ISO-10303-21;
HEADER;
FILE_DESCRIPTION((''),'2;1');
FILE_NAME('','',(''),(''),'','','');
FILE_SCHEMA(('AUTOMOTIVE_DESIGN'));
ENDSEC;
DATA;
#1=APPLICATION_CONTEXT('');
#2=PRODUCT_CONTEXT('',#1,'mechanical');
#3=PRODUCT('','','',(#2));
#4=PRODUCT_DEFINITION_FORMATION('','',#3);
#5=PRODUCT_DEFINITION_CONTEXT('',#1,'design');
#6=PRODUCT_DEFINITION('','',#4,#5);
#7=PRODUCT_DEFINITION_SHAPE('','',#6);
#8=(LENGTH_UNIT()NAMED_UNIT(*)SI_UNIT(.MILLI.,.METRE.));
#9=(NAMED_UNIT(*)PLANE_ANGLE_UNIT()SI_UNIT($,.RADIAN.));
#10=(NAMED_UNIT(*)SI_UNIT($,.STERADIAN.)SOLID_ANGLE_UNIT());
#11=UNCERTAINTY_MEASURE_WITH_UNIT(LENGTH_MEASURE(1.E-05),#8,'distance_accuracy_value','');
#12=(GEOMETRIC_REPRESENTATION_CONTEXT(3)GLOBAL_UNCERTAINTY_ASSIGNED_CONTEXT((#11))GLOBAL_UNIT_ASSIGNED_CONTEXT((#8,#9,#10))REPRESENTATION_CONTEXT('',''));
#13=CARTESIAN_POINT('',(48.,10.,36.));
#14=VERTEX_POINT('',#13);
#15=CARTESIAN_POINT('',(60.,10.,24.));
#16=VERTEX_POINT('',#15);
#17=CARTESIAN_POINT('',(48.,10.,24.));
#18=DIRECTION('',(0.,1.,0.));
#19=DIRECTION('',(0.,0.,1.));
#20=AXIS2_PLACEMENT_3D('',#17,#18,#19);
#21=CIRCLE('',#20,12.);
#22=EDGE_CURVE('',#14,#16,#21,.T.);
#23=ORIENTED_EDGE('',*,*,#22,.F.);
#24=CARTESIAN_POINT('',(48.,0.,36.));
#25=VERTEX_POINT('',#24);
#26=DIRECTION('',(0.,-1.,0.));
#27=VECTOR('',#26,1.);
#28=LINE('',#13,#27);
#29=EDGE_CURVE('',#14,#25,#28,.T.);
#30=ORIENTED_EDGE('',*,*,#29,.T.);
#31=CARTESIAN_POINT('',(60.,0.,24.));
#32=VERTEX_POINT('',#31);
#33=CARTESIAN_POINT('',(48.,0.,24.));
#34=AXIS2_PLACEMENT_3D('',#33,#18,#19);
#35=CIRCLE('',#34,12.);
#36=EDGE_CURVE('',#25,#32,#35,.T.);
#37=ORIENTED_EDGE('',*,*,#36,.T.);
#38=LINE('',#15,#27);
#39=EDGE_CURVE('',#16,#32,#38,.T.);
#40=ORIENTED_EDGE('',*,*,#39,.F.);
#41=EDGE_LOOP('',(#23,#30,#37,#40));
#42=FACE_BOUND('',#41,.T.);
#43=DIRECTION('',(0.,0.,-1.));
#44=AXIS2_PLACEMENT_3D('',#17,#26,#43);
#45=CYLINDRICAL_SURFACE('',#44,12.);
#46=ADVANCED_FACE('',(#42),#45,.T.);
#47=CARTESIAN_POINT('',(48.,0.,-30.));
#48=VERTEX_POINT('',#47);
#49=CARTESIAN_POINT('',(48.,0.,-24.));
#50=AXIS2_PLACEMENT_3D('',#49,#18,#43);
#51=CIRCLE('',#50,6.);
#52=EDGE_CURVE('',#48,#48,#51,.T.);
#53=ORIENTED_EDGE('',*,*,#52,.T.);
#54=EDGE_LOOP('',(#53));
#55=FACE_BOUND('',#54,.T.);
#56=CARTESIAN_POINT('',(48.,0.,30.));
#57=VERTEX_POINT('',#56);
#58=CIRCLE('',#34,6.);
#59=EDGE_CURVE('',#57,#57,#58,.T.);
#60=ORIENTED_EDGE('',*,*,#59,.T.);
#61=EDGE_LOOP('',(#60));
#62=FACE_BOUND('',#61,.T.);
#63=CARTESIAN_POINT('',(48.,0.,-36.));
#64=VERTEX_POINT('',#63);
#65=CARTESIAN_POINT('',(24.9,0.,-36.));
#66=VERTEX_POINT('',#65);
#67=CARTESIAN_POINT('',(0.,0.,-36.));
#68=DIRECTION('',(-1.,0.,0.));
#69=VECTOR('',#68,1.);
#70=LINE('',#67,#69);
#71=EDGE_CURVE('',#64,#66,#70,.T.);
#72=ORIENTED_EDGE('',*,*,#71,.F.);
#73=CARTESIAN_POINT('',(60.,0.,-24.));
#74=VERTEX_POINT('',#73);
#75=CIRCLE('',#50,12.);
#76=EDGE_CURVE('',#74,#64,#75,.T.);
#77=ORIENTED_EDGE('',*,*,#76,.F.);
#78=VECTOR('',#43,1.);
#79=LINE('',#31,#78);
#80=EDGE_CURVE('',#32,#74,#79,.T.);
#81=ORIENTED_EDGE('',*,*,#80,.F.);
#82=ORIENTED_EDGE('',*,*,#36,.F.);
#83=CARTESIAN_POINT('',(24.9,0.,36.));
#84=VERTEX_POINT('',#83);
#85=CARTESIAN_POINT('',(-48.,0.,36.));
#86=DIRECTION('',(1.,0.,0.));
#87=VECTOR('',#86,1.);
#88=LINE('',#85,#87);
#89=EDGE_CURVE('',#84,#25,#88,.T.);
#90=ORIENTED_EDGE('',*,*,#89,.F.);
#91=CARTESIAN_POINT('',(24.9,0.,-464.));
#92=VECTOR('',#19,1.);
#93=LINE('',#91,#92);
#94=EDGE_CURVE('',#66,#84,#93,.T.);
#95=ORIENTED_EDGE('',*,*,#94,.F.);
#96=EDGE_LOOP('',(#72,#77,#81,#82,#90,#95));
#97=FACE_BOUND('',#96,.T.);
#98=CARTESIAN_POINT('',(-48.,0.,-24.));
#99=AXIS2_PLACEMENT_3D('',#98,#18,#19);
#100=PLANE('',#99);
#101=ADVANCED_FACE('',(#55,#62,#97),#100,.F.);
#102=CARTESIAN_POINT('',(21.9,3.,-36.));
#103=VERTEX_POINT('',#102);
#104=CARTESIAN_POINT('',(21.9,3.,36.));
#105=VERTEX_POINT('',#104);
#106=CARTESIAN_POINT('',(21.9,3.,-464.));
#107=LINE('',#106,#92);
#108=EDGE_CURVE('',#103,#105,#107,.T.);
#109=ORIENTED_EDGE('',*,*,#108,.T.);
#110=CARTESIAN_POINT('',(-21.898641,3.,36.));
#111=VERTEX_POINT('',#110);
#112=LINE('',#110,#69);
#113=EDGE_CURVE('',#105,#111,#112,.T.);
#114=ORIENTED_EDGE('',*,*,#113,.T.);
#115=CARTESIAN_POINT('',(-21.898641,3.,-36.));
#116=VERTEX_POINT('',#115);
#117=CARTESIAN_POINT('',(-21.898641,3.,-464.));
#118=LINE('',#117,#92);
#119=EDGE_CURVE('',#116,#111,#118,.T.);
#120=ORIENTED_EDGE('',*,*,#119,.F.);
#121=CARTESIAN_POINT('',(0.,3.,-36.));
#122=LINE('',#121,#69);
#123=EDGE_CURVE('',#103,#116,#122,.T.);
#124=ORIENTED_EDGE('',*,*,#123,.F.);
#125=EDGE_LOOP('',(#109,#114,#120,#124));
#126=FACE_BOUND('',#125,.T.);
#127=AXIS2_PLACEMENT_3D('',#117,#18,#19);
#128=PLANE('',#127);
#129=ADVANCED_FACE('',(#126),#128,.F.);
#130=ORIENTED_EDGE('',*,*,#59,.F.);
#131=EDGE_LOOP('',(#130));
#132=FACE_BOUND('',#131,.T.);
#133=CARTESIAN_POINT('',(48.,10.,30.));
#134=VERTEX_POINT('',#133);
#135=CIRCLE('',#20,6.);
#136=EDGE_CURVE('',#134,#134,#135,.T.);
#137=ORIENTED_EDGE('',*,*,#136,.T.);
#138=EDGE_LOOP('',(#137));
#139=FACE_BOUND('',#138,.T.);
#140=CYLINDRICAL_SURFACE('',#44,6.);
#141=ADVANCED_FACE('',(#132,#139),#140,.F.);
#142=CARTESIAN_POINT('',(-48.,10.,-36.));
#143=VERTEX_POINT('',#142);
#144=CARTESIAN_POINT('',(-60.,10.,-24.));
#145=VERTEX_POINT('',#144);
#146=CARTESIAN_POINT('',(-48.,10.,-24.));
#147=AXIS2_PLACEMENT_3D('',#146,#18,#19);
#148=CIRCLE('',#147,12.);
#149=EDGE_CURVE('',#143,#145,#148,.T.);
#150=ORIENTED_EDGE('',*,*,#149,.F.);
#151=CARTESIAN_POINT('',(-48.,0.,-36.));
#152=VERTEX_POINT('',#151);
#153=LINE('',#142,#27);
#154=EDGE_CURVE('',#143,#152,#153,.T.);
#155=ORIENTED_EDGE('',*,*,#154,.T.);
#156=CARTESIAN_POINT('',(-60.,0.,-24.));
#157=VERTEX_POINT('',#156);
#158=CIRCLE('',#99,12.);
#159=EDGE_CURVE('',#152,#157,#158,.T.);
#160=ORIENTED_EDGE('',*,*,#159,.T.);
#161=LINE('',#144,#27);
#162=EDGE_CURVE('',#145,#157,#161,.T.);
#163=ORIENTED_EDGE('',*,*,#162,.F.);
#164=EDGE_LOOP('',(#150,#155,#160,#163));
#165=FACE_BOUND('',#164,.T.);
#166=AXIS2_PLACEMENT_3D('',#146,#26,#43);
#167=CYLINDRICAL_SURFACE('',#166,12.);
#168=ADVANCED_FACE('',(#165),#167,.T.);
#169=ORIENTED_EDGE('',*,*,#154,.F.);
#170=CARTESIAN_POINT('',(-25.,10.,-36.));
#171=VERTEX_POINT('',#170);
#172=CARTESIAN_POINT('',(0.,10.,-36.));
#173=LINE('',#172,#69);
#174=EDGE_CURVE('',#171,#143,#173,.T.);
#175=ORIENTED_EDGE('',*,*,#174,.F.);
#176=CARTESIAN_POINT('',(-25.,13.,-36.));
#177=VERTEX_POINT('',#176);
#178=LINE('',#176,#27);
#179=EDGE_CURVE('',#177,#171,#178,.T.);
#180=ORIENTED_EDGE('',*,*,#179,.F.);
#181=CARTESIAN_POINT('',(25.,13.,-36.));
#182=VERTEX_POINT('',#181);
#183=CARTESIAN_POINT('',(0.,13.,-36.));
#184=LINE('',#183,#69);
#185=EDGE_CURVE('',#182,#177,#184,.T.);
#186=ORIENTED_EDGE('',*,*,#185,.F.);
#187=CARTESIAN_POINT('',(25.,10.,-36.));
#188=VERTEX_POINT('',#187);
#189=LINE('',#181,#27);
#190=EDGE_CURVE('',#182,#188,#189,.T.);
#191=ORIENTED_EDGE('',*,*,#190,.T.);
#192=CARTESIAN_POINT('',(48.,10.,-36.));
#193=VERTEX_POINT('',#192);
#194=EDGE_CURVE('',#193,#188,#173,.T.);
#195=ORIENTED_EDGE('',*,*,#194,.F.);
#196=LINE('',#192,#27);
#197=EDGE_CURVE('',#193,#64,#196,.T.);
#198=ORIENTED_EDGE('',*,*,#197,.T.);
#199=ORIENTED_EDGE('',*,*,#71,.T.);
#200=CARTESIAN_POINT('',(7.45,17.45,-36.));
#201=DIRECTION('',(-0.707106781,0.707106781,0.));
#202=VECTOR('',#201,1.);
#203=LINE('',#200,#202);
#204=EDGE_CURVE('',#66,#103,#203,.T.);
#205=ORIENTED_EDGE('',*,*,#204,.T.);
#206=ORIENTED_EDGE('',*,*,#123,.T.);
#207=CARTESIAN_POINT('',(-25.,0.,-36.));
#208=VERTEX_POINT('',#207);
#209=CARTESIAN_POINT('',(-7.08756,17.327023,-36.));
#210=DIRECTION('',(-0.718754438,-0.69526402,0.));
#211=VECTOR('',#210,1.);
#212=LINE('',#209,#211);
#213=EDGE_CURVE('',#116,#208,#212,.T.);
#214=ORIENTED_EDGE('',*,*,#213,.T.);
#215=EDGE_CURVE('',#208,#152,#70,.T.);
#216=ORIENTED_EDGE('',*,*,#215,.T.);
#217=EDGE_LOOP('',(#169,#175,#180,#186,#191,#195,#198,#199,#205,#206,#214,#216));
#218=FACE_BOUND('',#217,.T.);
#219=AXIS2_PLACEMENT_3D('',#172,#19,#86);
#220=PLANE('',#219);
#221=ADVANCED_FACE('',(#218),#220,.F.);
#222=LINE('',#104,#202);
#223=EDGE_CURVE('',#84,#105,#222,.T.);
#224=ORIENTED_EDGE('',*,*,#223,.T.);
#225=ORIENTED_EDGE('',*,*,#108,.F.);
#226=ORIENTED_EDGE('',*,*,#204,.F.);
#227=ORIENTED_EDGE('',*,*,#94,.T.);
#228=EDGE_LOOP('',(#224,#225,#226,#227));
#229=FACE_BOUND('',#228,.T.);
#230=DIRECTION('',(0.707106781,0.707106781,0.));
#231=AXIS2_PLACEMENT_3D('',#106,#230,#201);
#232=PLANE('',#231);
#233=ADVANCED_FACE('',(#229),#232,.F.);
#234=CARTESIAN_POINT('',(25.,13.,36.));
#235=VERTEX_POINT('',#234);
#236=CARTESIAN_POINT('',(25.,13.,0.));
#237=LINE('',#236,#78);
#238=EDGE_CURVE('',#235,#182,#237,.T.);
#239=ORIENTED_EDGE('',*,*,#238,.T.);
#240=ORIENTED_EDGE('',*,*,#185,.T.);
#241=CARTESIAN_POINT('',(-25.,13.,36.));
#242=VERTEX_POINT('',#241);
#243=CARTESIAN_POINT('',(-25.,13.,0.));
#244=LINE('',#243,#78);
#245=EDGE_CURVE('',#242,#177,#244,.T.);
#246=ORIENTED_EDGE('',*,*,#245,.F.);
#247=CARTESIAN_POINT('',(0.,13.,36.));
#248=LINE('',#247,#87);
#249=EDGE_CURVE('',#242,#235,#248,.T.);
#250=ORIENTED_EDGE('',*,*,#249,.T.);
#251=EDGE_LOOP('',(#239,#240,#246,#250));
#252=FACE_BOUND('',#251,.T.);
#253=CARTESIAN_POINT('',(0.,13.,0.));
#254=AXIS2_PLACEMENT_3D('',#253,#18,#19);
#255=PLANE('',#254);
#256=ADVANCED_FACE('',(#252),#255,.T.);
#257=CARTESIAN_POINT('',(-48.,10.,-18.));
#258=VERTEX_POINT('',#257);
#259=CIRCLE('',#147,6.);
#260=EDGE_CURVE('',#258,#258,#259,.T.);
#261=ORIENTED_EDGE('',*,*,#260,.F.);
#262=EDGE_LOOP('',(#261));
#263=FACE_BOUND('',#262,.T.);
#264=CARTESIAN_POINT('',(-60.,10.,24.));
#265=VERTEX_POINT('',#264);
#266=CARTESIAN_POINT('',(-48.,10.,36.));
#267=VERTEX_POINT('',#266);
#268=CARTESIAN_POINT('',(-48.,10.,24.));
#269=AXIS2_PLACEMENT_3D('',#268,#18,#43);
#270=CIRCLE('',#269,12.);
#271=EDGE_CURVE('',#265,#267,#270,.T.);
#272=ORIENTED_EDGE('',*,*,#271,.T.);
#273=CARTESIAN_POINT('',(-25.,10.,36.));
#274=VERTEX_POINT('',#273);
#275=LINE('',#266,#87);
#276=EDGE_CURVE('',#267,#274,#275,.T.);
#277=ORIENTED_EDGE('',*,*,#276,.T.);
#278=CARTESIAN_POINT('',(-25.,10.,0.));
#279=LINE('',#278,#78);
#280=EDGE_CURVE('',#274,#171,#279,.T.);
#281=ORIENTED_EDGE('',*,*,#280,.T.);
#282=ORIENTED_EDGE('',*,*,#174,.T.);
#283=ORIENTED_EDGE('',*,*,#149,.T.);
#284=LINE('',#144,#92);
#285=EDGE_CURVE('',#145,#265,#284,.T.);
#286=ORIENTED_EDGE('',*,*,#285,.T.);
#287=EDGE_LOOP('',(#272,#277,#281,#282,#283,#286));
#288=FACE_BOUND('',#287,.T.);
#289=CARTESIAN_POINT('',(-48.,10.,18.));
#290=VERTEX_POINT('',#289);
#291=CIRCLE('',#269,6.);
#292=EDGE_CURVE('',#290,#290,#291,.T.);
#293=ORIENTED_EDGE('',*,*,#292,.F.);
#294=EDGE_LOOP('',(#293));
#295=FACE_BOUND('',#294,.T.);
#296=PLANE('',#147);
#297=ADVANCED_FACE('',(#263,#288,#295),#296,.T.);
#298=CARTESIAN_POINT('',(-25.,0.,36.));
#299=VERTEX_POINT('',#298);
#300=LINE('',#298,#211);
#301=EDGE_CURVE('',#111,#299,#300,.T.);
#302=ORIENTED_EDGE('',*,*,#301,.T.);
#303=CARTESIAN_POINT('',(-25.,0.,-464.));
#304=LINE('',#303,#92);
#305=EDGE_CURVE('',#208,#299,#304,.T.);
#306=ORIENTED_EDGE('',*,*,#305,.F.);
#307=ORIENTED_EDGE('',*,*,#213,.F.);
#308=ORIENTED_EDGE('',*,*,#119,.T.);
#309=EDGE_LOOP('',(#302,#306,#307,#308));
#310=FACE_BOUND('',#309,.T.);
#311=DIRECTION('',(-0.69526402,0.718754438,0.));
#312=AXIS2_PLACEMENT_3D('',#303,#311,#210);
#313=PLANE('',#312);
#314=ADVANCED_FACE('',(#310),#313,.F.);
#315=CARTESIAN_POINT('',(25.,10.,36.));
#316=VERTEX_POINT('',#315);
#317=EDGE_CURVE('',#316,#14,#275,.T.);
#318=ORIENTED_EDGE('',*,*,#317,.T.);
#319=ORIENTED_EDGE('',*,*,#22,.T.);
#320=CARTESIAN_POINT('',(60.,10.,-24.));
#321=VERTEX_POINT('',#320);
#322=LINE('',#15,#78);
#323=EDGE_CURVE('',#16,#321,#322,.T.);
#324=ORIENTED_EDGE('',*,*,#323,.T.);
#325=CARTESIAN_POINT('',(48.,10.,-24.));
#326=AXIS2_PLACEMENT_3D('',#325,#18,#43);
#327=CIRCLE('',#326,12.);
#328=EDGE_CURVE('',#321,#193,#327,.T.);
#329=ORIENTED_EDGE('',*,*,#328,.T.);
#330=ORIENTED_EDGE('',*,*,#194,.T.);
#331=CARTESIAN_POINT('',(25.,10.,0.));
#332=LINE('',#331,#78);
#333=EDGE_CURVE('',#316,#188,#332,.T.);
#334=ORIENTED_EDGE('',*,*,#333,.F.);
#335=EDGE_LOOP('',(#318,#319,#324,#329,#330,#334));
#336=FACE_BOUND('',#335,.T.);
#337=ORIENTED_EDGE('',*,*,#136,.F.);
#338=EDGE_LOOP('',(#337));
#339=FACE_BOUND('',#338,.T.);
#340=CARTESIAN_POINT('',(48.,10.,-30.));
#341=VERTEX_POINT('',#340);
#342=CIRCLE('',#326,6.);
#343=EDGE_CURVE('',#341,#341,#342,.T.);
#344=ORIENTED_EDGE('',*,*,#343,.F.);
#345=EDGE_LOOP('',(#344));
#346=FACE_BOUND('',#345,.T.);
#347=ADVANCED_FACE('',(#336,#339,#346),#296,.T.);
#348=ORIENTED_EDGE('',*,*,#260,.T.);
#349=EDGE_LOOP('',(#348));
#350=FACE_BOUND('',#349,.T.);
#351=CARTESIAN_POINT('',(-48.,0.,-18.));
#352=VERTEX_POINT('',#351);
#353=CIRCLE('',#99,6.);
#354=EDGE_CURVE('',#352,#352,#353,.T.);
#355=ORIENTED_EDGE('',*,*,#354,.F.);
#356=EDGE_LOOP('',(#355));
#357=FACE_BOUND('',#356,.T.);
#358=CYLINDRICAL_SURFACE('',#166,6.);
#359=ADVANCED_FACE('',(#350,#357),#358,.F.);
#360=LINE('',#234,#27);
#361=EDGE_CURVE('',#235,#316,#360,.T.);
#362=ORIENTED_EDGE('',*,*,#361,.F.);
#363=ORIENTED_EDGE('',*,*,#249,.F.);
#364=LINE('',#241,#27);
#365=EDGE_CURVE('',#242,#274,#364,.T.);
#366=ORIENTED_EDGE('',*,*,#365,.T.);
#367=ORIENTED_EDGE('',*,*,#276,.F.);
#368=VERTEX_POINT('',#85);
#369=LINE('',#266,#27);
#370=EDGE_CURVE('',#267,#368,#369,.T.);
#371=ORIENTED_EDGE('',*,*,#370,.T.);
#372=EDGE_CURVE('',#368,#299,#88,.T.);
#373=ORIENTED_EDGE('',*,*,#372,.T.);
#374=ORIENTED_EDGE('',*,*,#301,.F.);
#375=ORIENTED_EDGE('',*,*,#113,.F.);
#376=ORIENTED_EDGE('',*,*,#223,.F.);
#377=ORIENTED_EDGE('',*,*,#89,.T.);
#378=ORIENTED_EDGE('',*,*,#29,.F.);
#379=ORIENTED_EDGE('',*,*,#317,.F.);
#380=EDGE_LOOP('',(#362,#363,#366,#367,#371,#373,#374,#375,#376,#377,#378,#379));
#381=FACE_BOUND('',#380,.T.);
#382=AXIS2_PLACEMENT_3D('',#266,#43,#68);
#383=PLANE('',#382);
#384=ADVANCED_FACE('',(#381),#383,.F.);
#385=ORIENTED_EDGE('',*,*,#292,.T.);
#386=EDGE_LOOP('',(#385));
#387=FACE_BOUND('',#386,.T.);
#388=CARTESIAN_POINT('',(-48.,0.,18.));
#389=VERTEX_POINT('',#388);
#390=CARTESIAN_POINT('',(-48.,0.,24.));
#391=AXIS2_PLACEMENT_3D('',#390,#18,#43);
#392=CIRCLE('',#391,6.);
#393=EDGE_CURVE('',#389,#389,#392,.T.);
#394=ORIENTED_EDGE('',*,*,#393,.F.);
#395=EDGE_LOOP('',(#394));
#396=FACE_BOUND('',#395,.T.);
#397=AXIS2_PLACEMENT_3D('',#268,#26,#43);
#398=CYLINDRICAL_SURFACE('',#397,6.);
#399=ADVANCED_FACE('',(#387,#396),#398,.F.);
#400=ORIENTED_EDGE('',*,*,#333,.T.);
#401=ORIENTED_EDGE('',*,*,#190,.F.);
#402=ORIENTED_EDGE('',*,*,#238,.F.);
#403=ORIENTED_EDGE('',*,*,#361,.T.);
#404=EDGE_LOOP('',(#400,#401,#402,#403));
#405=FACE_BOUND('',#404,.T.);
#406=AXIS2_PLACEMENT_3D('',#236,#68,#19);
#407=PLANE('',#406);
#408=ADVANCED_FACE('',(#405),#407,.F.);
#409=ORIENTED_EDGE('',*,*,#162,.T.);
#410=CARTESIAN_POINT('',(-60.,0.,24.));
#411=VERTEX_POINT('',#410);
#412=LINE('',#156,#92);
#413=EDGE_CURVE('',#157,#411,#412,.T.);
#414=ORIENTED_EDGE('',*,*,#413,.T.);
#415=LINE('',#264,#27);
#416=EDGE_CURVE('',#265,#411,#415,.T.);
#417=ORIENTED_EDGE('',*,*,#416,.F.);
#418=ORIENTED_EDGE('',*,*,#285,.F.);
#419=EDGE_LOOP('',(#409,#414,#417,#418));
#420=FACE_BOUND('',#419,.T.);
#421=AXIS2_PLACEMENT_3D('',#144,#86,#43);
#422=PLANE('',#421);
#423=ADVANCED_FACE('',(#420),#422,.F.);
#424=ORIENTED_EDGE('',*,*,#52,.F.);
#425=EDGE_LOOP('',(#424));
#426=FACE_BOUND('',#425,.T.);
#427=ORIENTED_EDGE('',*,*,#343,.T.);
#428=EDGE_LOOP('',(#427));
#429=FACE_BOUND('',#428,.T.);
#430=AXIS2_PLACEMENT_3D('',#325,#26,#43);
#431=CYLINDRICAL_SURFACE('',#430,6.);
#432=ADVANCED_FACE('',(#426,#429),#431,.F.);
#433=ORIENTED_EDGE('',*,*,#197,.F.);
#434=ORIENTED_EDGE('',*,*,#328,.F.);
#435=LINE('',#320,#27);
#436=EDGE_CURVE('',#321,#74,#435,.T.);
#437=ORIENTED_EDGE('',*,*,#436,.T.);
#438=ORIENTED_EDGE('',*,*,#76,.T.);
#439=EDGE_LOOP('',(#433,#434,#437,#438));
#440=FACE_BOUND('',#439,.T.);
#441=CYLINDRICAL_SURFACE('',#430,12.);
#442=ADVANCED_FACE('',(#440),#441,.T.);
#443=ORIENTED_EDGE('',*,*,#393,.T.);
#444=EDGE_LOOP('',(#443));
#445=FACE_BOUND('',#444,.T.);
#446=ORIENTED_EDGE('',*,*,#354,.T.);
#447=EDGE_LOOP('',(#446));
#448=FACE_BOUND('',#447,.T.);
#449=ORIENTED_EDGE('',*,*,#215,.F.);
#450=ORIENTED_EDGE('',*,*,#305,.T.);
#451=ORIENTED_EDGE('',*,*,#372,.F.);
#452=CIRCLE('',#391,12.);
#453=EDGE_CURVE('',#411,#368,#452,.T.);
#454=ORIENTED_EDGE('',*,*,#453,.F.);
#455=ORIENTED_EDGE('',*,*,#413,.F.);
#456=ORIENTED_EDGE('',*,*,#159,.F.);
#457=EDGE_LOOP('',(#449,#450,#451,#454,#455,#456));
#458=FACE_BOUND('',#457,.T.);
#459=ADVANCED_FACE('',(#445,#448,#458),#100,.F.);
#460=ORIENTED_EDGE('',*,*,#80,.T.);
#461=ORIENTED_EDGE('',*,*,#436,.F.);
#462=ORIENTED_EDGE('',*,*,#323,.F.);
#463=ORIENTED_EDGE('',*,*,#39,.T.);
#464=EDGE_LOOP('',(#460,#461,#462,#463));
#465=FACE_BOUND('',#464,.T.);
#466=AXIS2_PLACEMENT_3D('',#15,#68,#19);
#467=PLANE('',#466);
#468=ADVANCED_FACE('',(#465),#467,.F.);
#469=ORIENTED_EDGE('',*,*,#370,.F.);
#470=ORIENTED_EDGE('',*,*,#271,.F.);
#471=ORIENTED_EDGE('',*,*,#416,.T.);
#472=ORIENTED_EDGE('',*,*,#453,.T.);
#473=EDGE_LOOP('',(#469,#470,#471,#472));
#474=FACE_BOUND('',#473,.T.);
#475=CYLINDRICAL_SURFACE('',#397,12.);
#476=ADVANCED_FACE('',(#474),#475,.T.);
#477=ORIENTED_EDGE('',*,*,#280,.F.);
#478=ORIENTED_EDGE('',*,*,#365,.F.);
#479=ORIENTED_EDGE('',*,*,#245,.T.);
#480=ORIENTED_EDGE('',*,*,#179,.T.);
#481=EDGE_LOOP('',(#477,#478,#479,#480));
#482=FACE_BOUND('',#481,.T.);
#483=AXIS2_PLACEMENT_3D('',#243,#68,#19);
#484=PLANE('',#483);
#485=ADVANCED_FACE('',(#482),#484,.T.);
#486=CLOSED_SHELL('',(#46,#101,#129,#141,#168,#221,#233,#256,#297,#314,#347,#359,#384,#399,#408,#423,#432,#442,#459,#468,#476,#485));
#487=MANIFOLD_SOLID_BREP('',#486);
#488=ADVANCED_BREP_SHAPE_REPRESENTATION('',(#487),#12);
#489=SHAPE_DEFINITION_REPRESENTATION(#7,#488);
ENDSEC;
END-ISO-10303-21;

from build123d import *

# Parameters (mm, degrees)
SKETCH1_R           = 6
BOSS_EXTRUDE1_DEPTH = 10
BOSS_EXTRUDE2_DEPTH = 3
CUT_EXTRUDE6_DEPTH  = 500


with BuildPart() as part:
    # Sketch1 → Boss-Extrude1 (new body)
    with BuildSketch(Plane(origin=(0, 0, 0), x_dir=(1, 0, 0), z_dir=(0, 1, 0))):
        with BuildLine():
            Line((0, 36), (48, 36))
            ThreePointArc((48, 36), (56.485281374, 32.485281374), (60, 24))
            Line((60, 24), (60, -24))
            ThreePointArc((60, -24), (56.485281374, -32.485281374), (48, -36))
            Line((48, -36), (-48, -36))
            ThreePointArc((-48, -36), (-56.485281374, -32.485281374), (-60, -24))
            Line((-60, -24), (-60, 24))
            ThreePointArc((-60, 24), (-56.485281374, 32.485281374), (-48, 36))
            Line((-48, 36), (0, 36))
        make_face()
        with Locations(Location((-48, 24, 0), (0, 0, 270))):
            Circle(SKETCH1_R, mode=Mode.SUBTRACT)
        with Locations(Location((48, 24, 0), (0, 0, 90))):
            Circle(SKETCH1_R, mode=Mode.SUBTRACT)
        with Locations(Location((48, -24, 0), (0, 0, 270))):
            Circle(SKETCH1_R, mode=Mode.SUBTRACT)
        with Locations(Location((-48, -24, 0), (0, 0, 90))):
            Circle(SKETCH1_R, mode=Mode.SUBTRACT)
    extrude(amount=BOSS_EXTRUDE1_DEPTH)

    # Sketch2 → Boss-Extrude2 (add)
    with BuildSketch(Plane(origin=(0, 10, 0), x_dir=(1, 0, 0), z_dir=(0, 1, 0))):
        Polygon((-25, 36), (-25, 11.04169411), (-25, -36), (25, -36), (25, 36), align=None)
    extrude(amount=BOSS_EXTRUDE2_DEPTH)

    # Sketch7 → Cut-Extrude6 (cut)
    with BuildSketch(Plane.XY.offset(36)):
        Polygon((-21.898641014, 3), (21.9, 3), (24.9, 0), (-25, 0), align=None)
    extrude(amount=-CUT_EXTRUDE6_DEPTH, mode=Mode.SUBTRACT)


solid = part.part
